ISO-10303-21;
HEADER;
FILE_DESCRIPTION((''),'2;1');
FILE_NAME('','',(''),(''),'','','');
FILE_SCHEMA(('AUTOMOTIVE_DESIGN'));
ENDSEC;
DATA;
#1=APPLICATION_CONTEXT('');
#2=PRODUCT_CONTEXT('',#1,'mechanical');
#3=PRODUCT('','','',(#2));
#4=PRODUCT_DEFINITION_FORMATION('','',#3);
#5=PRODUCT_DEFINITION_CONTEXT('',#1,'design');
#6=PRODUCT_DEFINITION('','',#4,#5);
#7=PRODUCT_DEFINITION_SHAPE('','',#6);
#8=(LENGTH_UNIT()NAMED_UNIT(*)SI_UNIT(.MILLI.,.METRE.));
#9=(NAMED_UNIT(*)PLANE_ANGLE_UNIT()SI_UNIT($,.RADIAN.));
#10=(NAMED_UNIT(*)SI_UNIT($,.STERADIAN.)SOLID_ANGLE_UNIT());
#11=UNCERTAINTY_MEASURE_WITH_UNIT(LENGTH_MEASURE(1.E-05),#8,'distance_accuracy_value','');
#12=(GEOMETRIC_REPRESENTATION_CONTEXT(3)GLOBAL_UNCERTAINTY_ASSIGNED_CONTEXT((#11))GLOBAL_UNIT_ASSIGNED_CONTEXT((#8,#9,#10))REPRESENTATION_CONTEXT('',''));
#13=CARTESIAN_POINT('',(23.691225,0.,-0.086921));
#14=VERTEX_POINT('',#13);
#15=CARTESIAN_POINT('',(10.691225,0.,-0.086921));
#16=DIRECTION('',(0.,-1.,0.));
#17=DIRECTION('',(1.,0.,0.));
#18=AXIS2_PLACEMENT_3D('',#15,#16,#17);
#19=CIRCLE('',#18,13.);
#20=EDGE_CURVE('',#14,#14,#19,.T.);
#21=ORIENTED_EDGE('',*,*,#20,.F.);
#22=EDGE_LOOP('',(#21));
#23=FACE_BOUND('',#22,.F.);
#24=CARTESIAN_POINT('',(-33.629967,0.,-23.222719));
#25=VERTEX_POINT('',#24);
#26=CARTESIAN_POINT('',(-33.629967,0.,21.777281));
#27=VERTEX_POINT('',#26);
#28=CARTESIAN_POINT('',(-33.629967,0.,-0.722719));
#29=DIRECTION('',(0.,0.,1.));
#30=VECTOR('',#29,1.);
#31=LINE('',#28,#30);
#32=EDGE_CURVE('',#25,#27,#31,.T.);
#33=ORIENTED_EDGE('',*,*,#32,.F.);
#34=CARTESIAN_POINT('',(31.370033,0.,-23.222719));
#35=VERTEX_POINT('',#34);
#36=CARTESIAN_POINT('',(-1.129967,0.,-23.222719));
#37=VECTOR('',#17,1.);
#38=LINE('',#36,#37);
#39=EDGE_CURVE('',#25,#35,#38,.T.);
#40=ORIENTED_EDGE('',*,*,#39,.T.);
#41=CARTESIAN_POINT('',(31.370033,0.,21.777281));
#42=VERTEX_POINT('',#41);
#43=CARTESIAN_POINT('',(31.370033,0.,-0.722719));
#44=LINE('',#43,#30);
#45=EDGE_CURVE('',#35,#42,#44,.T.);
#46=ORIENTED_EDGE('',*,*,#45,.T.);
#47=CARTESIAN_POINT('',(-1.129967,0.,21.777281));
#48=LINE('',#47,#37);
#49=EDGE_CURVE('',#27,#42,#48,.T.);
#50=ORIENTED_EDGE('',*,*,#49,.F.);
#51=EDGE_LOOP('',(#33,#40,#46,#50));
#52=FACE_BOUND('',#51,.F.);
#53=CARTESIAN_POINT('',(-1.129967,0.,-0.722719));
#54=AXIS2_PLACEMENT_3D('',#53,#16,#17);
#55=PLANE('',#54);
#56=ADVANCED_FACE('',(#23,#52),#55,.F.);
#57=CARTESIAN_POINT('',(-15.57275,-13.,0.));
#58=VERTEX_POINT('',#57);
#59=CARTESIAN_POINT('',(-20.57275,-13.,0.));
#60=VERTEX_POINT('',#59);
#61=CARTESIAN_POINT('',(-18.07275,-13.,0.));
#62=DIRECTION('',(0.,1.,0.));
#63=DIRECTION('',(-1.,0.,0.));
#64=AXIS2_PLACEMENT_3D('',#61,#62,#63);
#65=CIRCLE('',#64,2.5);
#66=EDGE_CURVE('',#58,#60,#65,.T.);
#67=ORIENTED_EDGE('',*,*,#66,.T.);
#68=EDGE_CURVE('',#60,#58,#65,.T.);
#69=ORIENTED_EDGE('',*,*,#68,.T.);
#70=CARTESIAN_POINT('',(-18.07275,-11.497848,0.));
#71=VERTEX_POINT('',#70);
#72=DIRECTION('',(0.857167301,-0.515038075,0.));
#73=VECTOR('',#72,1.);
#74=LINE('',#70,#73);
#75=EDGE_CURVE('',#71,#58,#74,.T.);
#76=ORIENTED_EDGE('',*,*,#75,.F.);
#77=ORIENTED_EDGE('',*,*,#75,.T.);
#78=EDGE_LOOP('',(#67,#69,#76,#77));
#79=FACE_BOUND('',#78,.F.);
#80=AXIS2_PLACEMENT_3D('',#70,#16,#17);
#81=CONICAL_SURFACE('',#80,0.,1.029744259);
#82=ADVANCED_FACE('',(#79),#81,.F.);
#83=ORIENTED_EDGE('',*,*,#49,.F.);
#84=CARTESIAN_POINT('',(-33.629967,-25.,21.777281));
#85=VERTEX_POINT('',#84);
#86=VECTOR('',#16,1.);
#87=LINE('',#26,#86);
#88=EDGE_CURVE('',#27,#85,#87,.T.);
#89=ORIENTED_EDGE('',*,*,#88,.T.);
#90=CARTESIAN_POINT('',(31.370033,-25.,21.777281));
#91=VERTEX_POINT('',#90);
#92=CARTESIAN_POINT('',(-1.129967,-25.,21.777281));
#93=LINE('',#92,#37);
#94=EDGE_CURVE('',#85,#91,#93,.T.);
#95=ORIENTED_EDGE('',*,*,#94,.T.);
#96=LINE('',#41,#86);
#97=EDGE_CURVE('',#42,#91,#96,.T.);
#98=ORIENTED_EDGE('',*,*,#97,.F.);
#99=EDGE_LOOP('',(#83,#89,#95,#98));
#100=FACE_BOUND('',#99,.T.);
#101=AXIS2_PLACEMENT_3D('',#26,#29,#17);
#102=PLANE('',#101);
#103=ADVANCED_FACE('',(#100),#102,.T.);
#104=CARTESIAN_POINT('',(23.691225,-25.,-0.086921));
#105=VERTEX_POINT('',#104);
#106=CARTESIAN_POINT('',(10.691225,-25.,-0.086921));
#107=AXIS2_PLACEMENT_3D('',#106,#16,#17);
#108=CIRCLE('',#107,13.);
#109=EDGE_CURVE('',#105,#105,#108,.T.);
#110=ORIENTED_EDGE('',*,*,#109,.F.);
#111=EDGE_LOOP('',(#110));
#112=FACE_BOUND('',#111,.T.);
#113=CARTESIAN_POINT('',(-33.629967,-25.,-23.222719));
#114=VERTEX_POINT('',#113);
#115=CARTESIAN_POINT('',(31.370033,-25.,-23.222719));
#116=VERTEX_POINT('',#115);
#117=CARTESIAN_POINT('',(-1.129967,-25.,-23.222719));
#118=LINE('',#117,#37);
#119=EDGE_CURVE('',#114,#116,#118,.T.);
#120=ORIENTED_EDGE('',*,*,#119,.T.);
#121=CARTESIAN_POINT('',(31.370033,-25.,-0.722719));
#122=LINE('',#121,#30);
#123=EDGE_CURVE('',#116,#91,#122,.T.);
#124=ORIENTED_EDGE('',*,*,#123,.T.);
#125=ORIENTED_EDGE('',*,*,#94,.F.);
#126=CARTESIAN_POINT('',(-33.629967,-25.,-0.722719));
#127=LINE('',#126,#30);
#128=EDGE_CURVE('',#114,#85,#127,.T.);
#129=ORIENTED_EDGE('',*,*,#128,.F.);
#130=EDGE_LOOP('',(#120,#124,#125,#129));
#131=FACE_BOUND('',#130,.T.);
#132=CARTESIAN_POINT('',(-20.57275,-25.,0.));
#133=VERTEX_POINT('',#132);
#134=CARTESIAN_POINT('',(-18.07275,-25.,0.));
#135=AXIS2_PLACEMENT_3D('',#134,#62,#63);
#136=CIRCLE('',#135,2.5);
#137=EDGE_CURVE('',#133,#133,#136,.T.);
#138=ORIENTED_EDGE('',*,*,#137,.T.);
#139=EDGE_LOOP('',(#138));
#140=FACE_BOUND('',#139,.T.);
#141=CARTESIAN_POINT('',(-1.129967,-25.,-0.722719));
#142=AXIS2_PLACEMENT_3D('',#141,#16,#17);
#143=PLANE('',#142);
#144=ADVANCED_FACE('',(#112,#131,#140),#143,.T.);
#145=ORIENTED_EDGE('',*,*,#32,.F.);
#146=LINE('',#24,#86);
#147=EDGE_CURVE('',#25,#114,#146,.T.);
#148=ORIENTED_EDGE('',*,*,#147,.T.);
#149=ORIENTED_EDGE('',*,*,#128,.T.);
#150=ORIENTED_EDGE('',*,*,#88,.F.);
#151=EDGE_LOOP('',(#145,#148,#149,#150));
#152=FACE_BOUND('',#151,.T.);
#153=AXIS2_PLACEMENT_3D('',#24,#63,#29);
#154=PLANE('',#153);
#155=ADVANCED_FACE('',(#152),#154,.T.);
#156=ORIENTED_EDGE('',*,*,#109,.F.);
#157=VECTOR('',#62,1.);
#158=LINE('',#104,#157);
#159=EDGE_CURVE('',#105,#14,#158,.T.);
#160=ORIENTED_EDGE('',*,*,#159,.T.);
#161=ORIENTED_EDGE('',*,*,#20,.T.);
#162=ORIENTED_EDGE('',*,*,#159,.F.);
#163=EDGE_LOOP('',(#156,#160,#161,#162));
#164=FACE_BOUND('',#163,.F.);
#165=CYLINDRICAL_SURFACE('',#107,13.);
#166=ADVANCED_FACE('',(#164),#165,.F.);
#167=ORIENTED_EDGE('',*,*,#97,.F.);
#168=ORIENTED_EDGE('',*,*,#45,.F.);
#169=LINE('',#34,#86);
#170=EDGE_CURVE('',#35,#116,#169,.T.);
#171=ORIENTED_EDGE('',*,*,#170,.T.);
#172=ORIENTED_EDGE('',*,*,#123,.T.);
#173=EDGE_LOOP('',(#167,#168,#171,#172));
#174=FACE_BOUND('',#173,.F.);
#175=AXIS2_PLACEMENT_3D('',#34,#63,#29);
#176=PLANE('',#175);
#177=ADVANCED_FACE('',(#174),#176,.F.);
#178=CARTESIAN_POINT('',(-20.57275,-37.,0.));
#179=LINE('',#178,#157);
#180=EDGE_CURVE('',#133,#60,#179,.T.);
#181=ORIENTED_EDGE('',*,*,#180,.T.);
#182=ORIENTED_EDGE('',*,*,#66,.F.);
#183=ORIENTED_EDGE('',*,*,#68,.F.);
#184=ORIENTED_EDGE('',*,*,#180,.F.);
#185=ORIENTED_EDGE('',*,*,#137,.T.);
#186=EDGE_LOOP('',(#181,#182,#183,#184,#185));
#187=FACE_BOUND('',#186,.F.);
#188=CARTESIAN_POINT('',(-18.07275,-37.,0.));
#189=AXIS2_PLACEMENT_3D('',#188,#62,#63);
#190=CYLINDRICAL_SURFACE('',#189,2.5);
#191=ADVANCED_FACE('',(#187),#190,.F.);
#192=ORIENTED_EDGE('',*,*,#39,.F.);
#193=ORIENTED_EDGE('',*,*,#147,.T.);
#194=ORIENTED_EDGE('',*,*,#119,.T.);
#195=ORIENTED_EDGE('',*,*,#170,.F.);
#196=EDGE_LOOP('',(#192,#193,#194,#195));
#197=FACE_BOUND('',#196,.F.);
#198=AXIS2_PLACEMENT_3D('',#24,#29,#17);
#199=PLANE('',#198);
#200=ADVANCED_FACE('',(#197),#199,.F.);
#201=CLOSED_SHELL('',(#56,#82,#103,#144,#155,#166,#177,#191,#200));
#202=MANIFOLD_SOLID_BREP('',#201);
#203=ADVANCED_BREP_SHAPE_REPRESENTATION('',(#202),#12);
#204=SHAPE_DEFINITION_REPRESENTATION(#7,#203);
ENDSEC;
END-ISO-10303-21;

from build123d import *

# Parameters (mm, degrees)
F0_W     = 65
F0_H     = 45
F1_DEPTH = 25
F3_D     = 5
F3_DEPTH = 12
F3_TIP   = 1.5021515476
F4_R     = 13
F5_DEPTH = 25.001


with BuildPart() as f1:
    # F0 (on Front) → F1 (new body)
    with BuildSketch(Plane.XZ):
        with Locations((-1.1299671605, -0.7227190264)):
            Rectangle(F0_W, F0_H)
    extrude(amount=F1_DEPTH)

    # F3
    with Locations(Plane.XZ.offset(25)):
        with Locations((-18.0727501515, 0)):
            Hole(F3_D / 2, depth=F3_DEPTH)
            with Locations((0, 0, -(F3_DEPTH + F3_TIP / 2))):  # 118° drill point
                Cone(0, F3_D / 2, F3_TIP, mode=Mode.SUBTRACT)

    # F4 (on face) → F5 (cut, through all)
    with BuildSketch(Plane.XZ.offset(25)):
        with Locations((10.6912245974, -0.0869205323)):
            Circle(F4_R)
    extrude(amount=-F5_DEPTH, mode=Mode.SUBTRACT)


solid = f1.part
